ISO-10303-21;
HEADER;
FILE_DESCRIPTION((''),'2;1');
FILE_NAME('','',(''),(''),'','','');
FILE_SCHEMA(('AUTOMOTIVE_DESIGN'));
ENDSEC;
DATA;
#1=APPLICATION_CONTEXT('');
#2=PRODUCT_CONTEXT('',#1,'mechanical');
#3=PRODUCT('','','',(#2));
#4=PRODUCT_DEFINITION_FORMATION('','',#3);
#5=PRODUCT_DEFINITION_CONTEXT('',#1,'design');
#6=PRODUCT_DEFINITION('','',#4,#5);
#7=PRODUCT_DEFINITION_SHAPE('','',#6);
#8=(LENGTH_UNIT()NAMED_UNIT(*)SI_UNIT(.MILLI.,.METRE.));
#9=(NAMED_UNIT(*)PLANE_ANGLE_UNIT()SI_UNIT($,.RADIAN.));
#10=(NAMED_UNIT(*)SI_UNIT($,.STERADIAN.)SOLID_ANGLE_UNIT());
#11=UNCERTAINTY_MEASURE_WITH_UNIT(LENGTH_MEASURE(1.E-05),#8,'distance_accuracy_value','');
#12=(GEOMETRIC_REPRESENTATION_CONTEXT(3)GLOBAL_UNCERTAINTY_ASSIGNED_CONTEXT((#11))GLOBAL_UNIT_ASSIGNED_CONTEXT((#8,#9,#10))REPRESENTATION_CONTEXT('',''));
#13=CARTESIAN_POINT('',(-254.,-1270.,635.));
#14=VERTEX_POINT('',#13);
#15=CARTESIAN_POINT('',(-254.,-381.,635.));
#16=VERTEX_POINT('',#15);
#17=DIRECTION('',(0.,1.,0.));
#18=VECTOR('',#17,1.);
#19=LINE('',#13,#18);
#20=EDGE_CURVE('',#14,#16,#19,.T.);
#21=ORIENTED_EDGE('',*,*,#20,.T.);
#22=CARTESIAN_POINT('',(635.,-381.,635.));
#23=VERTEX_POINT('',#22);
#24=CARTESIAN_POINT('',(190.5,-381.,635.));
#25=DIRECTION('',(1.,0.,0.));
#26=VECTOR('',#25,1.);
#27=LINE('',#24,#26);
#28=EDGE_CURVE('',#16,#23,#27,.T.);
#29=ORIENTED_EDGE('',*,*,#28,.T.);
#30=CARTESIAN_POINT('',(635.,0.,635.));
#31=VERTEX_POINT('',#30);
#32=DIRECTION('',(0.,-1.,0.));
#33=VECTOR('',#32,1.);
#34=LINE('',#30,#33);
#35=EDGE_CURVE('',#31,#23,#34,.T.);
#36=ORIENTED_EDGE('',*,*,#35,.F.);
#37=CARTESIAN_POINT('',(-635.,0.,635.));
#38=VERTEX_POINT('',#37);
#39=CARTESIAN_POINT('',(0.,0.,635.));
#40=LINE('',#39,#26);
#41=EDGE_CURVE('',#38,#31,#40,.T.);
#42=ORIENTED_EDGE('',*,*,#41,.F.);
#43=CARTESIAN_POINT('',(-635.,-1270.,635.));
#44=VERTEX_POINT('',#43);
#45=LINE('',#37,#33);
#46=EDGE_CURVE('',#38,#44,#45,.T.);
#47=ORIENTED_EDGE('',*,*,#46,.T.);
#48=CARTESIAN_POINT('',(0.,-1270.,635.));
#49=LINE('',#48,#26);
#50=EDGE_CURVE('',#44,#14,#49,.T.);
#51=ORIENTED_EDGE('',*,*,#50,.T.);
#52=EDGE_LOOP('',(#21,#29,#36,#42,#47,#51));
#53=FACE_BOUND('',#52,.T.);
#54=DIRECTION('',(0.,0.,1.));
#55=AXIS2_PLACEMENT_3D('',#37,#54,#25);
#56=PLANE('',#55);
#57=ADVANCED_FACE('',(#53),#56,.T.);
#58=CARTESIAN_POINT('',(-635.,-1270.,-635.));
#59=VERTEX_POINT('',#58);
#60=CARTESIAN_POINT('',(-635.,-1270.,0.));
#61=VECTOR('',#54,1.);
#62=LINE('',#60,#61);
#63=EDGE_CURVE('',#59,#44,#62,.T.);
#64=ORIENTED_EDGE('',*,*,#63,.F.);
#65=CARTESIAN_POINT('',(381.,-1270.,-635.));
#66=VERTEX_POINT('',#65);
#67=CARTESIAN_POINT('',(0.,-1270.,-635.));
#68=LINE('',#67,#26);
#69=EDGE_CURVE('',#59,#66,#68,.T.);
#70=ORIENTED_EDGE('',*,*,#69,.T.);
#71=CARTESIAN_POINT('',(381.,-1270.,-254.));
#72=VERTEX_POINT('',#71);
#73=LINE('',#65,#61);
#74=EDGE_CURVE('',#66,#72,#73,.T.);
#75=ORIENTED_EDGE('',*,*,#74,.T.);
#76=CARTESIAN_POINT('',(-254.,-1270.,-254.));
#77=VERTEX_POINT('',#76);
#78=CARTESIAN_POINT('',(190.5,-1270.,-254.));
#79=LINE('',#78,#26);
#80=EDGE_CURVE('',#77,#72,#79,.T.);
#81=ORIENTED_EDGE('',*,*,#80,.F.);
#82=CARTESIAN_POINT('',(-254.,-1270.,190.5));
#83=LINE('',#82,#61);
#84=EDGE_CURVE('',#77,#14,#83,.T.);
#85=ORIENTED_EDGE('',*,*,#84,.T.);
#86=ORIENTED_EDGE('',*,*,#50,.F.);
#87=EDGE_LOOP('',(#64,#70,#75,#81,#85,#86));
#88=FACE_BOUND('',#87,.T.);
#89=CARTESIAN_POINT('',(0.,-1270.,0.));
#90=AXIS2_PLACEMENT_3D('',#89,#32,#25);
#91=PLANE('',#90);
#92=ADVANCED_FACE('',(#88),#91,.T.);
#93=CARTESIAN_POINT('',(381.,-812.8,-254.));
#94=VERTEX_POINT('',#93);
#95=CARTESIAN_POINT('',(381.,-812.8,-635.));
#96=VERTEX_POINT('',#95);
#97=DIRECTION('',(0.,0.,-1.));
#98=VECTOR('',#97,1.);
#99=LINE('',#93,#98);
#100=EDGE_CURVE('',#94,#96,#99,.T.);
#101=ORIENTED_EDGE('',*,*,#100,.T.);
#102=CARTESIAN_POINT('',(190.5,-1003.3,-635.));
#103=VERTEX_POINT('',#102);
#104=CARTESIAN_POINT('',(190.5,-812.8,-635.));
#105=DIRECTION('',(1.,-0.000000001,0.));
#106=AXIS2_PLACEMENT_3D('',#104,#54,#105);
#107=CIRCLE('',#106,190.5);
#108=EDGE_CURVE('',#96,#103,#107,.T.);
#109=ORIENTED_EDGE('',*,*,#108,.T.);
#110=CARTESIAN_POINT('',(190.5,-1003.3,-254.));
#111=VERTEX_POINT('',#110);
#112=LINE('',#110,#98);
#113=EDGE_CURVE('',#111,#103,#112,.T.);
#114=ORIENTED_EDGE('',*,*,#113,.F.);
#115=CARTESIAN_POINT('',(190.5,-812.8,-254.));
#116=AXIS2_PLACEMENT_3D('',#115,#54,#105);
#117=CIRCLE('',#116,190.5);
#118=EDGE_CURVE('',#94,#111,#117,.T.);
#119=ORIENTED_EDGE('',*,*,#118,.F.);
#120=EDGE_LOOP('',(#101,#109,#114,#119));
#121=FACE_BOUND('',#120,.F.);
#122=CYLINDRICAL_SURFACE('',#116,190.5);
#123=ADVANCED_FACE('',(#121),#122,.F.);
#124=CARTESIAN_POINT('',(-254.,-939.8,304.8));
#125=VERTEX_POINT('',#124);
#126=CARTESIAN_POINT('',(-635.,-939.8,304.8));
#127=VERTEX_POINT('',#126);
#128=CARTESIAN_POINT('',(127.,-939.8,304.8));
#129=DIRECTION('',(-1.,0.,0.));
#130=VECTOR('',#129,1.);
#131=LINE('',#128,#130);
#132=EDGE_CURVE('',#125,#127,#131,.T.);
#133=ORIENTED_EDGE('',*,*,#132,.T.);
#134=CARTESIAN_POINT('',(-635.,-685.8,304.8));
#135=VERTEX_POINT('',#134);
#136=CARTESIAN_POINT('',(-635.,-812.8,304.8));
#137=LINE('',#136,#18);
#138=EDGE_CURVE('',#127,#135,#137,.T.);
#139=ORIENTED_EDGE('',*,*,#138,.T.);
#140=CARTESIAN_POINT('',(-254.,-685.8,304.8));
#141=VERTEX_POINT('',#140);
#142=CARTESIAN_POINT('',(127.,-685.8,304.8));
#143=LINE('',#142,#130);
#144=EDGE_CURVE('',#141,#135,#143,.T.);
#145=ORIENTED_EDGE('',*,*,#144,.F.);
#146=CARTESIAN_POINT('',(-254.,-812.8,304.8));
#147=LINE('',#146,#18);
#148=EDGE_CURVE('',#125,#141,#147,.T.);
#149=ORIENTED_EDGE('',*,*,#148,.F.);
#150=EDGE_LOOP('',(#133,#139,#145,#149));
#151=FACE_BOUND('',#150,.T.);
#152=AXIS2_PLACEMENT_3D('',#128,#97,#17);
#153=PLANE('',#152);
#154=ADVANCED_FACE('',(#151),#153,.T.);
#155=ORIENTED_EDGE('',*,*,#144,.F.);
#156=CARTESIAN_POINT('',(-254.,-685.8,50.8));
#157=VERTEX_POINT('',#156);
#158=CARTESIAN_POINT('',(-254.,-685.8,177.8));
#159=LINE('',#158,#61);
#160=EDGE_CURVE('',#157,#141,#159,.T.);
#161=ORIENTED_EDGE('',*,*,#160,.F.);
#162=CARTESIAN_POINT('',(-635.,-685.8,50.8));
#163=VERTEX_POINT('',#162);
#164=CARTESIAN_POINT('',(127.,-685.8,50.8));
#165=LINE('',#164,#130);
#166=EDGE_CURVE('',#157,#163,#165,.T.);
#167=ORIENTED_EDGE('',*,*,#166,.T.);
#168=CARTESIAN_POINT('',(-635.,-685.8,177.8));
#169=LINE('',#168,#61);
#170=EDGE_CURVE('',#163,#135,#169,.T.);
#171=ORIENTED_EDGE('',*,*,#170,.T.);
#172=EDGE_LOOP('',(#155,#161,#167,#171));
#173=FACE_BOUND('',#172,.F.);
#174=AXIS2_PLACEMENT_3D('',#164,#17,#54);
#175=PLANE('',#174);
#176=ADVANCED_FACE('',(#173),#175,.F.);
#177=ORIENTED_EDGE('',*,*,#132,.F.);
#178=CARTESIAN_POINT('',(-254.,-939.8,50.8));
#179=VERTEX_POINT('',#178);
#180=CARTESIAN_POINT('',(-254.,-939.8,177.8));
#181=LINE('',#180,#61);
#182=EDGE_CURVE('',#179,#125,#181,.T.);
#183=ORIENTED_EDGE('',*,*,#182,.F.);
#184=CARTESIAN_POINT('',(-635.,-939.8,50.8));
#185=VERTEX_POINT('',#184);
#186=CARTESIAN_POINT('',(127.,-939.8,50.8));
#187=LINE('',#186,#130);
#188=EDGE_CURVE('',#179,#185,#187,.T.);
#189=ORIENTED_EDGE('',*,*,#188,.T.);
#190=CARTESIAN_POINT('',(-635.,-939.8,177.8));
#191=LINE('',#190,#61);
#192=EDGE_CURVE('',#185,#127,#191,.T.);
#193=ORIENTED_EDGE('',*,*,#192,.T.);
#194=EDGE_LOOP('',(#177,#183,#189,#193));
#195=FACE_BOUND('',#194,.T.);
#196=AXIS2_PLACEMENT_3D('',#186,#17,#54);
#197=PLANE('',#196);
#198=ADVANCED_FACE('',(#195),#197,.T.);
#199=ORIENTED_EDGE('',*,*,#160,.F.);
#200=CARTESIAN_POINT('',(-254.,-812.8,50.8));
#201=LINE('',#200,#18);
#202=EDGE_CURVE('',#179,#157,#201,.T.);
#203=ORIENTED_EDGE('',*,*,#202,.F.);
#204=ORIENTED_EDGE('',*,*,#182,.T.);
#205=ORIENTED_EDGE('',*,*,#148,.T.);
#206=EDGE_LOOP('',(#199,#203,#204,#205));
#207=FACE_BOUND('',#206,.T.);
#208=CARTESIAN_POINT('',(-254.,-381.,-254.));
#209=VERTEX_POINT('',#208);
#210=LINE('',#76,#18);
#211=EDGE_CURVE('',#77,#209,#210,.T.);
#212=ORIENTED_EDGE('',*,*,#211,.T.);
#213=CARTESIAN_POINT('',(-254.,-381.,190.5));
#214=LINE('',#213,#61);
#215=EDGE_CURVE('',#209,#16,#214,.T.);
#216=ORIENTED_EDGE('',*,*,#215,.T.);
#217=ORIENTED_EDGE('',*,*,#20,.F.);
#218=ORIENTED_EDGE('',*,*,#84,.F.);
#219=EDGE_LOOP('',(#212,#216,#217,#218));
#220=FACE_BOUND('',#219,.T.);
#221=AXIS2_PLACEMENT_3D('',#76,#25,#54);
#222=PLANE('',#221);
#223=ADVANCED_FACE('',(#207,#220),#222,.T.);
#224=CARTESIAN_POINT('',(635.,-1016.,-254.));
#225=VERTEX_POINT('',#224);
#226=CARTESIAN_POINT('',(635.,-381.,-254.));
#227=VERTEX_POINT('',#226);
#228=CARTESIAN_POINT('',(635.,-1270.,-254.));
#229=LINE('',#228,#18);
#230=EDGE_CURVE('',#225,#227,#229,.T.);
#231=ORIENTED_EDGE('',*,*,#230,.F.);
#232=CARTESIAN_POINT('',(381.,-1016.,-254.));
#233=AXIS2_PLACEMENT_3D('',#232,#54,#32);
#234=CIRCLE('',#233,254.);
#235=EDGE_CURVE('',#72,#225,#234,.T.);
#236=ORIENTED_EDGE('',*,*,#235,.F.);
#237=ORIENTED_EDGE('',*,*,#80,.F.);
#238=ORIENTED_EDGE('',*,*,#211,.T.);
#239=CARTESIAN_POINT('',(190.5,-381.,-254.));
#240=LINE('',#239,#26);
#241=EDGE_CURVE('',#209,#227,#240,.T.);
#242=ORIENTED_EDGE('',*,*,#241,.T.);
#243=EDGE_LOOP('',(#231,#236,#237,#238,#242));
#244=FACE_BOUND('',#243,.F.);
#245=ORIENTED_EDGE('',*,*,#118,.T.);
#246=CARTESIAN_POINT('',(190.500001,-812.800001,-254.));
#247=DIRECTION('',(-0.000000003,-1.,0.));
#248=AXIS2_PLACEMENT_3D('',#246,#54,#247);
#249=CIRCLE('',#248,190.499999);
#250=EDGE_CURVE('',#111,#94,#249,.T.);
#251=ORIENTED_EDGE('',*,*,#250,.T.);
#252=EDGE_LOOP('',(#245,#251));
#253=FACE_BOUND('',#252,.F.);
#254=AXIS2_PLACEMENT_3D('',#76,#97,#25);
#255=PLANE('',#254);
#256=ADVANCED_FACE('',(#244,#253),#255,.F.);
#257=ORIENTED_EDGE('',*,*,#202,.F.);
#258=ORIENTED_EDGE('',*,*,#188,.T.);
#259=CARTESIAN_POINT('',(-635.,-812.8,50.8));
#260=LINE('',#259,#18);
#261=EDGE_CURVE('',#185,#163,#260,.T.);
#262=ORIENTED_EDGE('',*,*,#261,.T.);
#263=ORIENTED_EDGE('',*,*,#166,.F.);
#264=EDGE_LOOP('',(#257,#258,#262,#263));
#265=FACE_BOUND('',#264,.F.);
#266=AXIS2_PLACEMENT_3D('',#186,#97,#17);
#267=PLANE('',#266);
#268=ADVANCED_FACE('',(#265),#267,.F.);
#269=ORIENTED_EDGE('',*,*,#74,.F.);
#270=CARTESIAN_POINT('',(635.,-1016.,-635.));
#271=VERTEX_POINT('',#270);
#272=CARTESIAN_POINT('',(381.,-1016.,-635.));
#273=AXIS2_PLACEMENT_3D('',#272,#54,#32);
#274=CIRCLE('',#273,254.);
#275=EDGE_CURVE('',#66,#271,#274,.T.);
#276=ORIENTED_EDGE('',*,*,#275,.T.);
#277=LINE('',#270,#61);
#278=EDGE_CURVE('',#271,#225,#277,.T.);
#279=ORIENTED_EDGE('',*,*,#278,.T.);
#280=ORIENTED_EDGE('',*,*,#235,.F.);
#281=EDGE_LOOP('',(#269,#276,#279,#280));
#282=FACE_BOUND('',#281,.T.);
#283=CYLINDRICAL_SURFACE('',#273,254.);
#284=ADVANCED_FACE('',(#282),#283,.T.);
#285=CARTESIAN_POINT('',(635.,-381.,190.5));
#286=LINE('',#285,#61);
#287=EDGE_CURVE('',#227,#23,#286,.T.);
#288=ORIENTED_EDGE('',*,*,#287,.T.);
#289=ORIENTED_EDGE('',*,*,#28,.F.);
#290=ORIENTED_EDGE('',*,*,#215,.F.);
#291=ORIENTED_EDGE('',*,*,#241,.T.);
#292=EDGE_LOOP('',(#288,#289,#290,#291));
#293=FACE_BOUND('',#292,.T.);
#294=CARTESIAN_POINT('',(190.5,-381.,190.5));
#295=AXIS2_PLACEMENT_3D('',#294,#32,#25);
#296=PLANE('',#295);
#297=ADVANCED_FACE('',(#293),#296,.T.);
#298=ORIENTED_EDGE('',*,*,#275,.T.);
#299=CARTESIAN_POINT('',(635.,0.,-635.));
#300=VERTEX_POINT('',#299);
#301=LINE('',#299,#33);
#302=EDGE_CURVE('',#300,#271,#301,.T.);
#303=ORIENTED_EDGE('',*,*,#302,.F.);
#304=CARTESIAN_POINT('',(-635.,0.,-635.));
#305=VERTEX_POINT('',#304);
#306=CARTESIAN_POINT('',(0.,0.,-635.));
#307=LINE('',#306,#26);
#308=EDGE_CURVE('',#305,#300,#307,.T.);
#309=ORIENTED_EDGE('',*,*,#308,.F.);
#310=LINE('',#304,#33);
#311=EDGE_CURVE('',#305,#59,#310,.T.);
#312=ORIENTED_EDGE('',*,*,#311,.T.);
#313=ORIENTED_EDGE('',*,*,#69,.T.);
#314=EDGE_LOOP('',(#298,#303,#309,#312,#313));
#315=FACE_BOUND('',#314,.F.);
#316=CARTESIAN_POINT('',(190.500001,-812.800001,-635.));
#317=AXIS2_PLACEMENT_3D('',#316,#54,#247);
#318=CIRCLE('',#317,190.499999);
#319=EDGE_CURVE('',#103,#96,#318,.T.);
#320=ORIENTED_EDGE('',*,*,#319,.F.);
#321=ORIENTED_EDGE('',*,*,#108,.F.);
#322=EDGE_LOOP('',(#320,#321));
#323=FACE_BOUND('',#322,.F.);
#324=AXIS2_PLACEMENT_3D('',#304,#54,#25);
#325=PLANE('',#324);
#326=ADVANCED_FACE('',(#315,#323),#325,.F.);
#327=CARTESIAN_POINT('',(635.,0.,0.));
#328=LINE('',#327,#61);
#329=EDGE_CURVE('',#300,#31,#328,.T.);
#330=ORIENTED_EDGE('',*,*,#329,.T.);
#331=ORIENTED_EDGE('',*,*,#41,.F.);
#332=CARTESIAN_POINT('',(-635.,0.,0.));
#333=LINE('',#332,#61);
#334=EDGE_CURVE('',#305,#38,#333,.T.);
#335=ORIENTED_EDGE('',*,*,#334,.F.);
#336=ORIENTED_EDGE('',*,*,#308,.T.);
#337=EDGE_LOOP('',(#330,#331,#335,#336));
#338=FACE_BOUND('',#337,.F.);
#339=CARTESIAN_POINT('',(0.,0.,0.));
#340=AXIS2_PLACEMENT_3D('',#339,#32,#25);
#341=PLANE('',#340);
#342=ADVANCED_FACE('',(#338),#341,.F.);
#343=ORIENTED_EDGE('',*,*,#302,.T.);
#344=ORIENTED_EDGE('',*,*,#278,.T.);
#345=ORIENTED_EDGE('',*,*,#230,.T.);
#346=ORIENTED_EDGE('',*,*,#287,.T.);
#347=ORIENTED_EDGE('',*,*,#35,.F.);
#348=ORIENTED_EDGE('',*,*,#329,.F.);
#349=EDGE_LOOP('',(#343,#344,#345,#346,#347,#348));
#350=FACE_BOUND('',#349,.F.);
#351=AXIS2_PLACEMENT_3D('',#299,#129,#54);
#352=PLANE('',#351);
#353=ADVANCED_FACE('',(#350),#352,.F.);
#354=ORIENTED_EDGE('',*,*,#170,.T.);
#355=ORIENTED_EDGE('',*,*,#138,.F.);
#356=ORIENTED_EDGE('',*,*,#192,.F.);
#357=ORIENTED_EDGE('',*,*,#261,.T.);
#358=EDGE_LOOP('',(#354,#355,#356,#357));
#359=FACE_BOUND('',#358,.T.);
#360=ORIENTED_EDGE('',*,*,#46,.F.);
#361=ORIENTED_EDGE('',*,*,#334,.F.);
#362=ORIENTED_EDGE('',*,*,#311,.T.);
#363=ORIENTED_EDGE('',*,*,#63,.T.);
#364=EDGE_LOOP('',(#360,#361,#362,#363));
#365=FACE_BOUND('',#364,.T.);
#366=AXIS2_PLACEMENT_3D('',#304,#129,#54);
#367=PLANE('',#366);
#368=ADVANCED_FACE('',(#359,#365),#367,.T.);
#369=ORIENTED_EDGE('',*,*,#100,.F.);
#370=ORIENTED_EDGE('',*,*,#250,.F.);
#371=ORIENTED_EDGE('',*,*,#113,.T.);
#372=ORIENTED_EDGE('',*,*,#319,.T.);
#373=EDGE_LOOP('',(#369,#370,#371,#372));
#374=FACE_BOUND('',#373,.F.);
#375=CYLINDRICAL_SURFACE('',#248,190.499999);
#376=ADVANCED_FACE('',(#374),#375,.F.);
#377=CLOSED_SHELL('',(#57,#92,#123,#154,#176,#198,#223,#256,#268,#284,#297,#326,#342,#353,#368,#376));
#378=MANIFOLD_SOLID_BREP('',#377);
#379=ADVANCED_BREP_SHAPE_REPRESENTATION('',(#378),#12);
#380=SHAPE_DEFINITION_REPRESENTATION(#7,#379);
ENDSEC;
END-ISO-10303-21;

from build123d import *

# Parameters (mm, degrees)
F0_W      = 1270
F0_H      = 1270
F1_DEPTH  = 1270
F2_W      = 889
F2_H      = 889
F3_DEPTH  = 889
F4_W      = 254
F4_H      = 254
F5_DEPTH  = 381
F5_FACE_W = 254
F5_FACE_H = 254
F6_DEPTH  = 762
F8_DEPTH  = 381
F9_R      = 254


with BuildPart() as f1:
    # F0 (on Front) → F1 (new body)
    with BuildSketch(Plane.XZ):
        Rectangle(F0_W, F0_H)
    extrude(amount=F1_DEPTH)

    # F2 (on face) → F3 (cut)
    with BuildSketch(Plane.XZ.offset(1270)):
        with Locations((190.5, 190.5)):
            Rectangle(F2_W, F2_H)
    extrude(amount=-F3_DEPTH, mode=Mode.SUBTRACT)

    # F4 (on face) → F5 (join)
    with BuildSketch(Plane.YZ.offset(-254)):
        with Locations((-812.8, 177.8)):
            Rectangle(F4_W, F4_H)
    extrude(amount=F5_DEPTH)

    # F5_face (on face) → F6 (cut)
    with BuildSketch(Plane(origin=(127, -812.8, 177.8), x_dir=(0, 1, 0), z_dir=(1, 0, 0))):
        Rectangle(F5_FACE_W, F5_FACE_H)
    extrude(amount=-F6_DEPTH, mode=Mode.SUBTRACT)

    # F7 (on face) → F8 (cut)
    with BuildSketch(Plane.XY.offset(-254)):
        with BuildLine():
            ThreePointArc((381, -812.8), (55.796158, -678.096158), (190.5, -1003.3))
            ThreePointArc((190.5, -1003.3), (325.203842, -947.503842), (381, -812.8))
        make_face()
    extrude(amount=-F8_DEPTH, mode=Mode.SUBTRACT)

    # F9
    f9_edges = [f1.edges().sort_by_distance(p)[0] for p in [
        (635, -1270, -444.5),
    ]]
    fillet(f9_edges, radius=F9_R)


solid = f1.part
